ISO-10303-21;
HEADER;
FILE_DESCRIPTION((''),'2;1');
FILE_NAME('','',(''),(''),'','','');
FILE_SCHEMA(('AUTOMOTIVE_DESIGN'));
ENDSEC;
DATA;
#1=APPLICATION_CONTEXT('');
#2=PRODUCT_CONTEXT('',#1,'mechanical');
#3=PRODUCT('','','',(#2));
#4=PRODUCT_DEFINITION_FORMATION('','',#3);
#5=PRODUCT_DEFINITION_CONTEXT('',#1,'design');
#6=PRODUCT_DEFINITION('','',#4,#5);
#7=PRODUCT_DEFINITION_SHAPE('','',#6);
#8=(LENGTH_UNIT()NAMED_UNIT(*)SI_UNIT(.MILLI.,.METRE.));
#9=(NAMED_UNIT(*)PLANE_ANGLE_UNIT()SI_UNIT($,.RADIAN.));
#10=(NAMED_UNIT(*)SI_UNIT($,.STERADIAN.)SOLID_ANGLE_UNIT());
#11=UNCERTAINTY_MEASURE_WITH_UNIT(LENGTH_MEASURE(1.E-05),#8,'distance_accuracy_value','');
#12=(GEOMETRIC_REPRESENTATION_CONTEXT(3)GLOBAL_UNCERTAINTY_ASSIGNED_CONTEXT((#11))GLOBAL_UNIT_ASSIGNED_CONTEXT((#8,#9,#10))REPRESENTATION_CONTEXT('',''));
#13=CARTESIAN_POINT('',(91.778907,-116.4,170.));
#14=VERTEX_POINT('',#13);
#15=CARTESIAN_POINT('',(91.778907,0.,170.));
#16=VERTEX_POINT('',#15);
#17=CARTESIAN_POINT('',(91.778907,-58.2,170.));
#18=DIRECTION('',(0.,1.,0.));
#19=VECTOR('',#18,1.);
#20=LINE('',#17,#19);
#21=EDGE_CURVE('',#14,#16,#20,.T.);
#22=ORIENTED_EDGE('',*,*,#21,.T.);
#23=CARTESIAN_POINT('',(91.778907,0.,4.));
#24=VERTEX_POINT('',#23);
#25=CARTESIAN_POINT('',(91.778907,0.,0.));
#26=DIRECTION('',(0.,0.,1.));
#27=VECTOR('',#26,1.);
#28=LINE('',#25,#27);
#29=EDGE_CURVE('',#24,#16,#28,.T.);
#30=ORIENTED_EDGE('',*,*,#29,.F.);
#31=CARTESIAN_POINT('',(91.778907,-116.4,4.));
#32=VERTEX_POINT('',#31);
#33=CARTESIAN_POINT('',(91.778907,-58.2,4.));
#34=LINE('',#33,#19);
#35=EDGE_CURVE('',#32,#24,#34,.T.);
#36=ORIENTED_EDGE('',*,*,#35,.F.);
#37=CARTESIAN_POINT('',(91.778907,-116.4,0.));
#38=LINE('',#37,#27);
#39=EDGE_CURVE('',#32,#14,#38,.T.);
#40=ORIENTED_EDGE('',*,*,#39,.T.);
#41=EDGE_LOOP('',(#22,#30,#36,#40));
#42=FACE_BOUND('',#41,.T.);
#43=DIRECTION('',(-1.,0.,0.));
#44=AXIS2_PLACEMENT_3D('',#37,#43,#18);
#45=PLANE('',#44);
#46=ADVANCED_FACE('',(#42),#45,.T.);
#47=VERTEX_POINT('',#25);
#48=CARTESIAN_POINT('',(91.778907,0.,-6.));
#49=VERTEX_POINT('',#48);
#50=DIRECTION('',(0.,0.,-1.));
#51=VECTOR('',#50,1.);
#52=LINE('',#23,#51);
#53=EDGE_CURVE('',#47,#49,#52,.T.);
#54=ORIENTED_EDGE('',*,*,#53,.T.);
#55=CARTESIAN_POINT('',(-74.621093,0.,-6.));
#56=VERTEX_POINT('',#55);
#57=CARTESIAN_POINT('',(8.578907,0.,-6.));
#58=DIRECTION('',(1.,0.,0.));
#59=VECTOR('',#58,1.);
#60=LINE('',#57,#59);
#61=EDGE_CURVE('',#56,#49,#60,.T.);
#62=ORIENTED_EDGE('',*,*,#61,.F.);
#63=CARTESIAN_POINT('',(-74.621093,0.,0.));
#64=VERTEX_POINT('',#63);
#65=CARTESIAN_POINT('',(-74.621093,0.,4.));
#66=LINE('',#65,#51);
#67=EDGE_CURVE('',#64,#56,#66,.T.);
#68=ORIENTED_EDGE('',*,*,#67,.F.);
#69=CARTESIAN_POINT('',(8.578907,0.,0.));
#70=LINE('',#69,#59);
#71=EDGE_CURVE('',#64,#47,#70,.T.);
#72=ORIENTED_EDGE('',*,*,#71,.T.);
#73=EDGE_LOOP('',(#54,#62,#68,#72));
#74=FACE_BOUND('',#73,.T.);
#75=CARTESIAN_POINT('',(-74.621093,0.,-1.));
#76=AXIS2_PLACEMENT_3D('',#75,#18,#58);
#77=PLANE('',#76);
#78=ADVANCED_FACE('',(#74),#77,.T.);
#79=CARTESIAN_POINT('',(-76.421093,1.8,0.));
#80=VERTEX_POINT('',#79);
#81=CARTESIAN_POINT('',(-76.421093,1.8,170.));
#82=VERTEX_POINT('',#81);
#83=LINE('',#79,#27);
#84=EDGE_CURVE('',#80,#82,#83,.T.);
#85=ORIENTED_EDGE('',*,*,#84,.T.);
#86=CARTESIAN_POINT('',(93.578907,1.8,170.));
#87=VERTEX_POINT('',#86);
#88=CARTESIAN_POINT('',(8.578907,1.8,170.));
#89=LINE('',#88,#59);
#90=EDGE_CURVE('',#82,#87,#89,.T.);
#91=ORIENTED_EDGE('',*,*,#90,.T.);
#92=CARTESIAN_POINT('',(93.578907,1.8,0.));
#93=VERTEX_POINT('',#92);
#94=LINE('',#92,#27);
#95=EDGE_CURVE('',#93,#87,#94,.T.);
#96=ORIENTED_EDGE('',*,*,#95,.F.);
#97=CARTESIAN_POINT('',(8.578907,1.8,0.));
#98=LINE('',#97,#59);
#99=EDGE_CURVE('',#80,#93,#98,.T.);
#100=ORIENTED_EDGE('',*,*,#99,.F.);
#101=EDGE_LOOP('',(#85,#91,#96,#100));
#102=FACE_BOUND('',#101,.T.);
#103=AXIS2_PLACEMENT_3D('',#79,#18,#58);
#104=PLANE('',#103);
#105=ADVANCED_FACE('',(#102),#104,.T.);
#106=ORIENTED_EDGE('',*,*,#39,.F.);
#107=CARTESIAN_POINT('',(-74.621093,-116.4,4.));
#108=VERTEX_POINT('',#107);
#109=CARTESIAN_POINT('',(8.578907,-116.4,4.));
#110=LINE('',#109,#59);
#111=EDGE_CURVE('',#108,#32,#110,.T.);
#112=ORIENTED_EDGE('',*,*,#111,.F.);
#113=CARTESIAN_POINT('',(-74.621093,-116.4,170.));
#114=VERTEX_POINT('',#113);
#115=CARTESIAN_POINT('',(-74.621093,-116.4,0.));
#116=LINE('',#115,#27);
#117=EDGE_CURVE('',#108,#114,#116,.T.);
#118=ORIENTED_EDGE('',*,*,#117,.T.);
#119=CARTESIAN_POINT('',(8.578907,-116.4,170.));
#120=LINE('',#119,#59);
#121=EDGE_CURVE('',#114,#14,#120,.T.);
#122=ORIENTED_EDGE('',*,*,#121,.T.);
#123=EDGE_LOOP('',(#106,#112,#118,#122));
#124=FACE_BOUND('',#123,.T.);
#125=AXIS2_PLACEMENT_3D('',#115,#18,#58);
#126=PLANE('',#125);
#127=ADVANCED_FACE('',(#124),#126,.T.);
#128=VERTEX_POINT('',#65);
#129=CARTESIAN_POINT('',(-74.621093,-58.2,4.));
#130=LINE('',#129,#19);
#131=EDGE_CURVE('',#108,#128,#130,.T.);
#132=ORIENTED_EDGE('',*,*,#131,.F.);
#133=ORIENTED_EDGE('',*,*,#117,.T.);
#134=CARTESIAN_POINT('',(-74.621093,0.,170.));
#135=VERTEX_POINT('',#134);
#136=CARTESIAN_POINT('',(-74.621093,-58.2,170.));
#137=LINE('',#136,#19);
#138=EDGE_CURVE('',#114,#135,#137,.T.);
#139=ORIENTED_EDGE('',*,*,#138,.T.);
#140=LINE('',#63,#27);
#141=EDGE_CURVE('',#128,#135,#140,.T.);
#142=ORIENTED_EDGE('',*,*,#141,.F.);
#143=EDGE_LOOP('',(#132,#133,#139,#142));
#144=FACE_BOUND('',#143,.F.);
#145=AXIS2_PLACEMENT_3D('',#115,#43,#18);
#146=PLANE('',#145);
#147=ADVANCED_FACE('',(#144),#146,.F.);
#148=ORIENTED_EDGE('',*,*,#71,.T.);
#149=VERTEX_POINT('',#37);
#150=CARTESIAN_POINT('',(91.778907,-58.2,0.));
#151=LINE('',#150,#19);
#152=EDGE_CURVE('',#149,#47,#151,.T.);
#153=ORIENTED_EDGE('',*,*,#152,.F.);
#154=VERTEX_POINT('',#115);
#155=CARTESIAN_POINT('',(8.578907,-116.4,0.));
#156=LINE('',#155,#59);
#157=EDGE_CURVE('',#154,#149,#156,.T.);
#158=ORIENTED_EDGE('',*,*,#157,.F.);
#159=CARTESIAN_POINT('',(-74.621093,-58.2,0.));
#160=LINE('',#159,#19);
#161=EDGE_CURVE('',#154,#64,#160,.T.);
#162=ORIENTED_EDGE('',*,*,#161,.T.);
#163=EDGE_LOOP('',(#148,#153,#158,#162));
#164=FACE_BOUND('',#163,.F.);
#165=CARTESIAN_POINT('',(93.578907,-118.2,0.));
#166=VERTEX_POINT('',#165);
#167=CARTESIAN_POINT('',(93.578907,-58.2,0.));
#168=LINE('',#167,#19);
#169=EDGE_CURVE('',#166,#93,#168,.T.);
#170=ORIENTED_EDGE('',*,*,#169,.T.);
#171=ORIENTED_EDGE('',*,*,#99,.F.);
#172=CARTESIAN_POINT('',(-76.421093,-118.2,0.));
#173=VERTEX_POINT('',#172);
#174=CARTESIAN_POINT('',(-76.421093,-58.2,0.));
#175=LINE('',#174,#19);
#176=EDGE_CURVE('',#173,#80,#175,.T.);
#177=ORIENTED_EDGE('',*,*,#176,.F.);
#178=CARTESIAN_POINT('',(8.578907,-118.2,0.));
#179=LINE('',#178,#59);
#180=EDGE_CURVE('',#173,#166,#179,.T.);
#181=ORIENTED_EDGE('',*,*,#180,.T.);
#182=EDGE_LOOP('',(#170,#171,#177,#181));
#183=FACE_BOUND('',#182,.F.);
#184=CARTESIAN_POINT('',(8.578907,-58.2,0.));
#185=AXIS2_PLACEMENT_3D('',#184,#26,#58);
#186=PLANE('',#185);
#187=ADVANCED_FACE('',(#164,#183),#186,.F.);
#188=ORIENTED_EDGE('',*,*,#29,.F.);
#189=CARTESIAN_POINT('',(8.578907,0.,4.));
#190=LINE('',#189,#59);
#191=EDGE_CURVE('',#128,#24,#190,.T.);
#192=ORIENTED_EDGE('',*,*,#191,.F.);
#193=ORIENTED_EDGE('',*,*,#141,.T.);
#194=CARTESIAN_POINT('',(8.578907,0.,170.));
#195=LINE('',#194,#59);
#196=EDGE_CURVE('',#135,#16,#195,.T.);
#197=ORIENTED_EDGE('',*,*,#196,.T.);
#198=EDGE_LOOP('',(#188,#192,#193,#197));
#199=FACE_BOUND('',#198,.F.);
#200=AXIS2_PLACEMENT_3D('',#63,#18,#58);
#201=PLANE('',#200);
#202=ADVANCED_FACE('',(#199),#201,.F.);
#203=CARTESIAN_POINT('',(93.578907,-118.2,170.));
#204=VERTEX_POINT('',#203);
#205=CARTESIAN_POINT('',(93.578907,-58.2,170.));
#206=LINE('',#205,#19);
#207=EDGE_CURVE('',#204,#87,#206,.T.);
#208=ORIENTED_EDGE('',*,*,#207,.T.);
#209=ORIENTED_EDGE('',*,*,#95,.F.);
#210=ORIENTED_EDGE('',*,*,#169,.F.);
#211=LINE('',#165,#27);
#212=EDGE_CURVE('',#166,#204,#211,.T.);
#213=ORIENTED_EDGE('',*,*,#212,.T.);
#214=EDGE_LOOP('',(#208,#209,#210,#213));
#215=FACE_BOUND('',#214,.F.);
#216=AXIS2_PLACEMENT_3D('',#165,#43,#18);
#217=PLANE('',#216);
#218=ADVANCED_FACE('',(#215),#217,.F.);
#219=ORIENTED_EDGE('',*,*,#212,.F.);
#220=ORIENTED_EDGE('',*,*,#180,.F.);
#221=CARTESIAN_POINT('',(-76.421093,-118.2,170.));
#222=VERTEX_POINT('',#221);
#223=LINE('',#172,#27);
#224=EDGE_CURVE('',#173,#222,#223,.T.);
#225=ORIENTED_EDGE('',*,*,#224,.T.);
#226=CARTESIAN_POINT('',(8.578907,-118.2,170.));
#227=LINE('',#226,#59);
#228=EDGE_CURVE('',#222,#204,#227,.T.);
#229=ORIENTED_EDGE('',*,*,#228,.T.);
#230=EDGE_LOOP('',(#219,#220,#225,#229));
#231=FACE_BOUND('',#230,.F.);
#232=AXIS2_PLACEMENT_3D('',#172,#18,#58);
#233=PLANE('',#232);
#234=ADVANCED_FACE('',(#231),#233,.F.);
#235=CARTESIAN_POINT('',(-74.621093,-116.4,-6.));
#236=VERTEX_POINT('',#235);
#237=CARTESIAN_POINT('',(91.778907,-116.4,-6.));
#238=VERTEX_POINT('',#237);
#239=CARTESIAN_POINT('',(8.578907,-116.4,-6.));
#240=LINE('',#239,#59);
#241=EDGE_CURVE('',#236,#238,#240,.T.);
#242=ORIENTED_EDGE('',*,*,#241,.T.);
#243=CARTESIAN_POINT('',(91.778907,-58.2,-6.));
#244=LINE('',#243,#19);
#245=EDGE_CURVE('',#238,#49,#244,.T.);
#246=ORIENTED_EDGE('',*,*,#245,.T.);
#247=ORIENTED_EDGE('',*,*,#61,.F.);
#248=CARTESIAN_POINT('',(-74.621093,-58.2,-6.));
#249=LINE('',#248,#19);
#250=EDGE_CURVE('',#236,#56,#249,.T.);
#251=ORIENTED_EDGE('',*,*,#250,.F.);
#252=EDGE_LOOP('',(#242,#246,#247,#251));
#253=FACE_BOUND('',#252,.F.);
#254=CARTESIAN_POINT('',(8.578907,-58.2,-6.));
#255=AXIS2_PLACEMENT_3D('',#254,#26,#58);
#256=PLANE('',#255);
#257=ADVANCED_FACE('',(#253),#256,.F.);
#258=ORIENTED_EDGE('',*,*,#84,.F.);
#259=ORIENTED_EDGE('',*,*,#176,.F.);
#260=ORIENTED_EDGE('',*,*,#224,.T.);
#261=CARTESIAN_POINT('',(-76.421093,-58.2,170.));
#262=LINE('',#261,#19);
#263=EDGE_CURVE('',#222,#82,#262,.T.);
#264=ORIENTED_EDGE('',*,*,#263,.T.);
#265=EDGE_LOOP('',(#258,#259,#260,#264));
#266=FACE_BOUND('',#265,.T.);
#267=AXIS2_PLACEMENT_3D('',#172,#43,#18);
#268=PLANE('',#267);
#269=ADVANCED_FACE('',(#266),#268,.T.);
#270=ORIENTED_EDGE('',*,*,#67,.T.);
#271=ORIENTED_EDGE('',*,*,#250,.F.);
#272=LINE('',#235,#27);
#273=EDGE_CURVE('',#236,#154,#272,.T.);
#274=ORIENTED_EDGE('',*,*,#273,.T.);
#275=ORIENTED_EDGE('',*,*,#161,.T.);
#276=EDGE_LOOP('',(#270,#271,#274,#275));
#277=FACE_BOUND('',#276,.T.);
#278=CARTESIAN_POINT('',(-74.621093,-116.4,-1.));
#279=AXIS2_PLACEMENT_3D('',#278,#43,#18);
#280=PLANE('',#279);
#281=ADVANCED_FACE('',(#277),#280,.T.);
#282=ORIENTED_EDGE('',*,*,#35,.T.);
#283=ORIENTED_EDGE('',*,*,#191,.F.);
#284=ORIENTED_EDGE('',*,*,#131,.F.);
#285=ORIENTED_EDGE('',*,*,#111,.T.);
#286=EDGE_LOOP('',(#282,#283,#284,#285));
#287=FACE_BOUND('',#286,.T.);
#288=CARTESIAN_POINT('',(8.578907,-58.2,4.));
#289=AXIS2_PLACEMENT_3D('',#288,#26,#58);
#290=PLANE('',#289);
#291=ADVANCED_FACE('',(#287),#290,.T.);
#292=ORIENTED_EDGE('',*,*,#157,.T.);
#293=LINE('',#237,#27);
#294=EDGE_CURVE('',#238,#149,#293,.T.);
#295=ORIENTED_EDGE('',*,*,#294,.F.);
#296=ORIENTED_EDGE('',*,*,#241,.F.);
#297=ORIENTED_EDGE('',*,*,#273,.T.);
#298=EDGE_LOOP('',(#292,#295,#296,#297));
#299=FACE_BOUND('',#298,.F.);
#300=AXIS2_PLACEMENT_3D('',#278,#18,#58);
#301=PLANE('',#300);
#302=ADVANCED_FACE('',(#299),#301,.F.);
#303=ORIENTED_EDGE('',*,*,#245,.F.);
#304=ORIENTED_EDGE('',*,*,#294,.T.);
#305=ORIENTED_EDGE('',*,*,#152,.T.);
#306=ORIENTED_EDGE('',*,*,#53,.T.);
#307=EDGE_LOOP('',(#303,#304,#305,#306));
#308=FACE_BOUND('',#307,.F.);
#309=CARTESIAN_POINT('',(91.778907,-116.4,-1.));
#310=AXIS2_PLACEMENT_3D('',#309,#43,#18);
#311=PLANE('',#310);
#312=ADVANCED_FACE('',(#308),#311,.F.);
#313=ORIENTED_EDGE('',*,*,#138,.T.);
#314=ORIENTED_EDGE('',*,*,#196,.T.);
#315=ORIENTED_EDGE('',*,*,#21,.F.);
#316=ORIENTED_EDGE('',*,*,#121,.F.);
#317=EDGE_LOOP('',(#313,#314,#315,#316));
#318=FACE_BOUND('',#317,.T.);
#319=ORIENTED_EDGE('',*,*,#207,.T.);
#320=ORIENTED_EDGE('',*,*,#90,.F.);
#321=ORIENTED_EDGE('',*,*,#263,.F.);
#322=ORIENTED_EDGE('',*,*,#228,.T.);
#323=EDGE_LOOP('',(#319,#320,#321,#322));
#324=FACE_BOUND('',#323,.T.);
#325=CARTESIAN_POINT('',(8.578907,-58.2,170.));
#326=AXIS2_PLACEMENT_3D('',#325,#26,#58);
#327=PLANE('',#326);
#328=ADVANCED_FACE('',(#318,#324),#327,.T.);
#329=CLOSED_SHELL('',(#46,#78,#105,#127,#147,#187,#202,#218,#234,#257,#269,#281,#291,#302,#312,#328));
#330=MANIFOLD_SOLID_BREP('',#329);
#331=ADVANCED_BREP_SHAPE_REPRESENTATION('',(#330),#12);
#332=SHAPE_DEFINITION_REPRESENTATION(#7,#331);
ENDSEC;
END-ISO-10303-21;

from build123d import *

# Parameters (mm, degrees)
F0_W     = 166.4
F0_H     = 116.4
F1_DEPTH = 170
F0_W_2   = 170
F0_H_2   = 120
F2_DEPTH = 170
F4_DEPTH = 1
F5_DEPTH = 5
F6_DEPTH = 170


with BuildPart() as f1:
    # F0 (on Top) → F1 (new body)
    with BuildSketch(Plane.XY):
        with Locations((6.7789069265, 121.5492137671)):
            Rectangle(F0_W, F0_H)
    extrude(amount=F1_DEPTH)


with BuildPart() as f2:
    # F0 (on Top) → F2 (new body)
    with BuildSketch(Plane.XY):
        with Locations((6.7789069265, 121.5492137671)):
            Rectangle(F0_W_2, F0_H_2)
        with Locations((6.7789069265, 121.5492137671)):
            Rectangle(F0_W, F0_H, mode=Mode.SUBTRACT)
    extrude(amount=F2_DEPTH)

    # F3: cut F1
    add(f1.part, mode=Mode.SUBTRACT)


with BuildPart() as f4:
    # F0 (on Top) → F4 (new body, symmetric)
    with BuildSketch(Plane.XY):
        with Locations((8.5789069265, -58.2)):
            Rectangle(F0_W, F0_H)
    extrude(amount=F4_DEPTH, both=True)


with BuildPart() as f5:
    # F5 (new, symmetric): a face of the model
    f5_faces = [f4.part.faces().sort_by_distance(p)[0] for p in [
        (8.5789069265, -58.2, -1),
    ]]
    extrude(f5_faces, amount=F5_DEPTH, both=True)


with BuildPart() as f4_1:
    add(f4.part)

    add(f5.part)  # F6 merges F5
    # F0 (on Top) → F6 (join)
    with BuildSketch(Plane.XY):
        with Locations((8.5789069265, -58.2)):
            Rectangle(F0_W_2, F0_H_2)
        with Locations((8.5789069265, -58.2)):
            Rectangle(F0_W, F0_H, mode=Mode.SUBTRACT)
    extrude(amount=F6_DEPTH)


solid = f4_1.part
